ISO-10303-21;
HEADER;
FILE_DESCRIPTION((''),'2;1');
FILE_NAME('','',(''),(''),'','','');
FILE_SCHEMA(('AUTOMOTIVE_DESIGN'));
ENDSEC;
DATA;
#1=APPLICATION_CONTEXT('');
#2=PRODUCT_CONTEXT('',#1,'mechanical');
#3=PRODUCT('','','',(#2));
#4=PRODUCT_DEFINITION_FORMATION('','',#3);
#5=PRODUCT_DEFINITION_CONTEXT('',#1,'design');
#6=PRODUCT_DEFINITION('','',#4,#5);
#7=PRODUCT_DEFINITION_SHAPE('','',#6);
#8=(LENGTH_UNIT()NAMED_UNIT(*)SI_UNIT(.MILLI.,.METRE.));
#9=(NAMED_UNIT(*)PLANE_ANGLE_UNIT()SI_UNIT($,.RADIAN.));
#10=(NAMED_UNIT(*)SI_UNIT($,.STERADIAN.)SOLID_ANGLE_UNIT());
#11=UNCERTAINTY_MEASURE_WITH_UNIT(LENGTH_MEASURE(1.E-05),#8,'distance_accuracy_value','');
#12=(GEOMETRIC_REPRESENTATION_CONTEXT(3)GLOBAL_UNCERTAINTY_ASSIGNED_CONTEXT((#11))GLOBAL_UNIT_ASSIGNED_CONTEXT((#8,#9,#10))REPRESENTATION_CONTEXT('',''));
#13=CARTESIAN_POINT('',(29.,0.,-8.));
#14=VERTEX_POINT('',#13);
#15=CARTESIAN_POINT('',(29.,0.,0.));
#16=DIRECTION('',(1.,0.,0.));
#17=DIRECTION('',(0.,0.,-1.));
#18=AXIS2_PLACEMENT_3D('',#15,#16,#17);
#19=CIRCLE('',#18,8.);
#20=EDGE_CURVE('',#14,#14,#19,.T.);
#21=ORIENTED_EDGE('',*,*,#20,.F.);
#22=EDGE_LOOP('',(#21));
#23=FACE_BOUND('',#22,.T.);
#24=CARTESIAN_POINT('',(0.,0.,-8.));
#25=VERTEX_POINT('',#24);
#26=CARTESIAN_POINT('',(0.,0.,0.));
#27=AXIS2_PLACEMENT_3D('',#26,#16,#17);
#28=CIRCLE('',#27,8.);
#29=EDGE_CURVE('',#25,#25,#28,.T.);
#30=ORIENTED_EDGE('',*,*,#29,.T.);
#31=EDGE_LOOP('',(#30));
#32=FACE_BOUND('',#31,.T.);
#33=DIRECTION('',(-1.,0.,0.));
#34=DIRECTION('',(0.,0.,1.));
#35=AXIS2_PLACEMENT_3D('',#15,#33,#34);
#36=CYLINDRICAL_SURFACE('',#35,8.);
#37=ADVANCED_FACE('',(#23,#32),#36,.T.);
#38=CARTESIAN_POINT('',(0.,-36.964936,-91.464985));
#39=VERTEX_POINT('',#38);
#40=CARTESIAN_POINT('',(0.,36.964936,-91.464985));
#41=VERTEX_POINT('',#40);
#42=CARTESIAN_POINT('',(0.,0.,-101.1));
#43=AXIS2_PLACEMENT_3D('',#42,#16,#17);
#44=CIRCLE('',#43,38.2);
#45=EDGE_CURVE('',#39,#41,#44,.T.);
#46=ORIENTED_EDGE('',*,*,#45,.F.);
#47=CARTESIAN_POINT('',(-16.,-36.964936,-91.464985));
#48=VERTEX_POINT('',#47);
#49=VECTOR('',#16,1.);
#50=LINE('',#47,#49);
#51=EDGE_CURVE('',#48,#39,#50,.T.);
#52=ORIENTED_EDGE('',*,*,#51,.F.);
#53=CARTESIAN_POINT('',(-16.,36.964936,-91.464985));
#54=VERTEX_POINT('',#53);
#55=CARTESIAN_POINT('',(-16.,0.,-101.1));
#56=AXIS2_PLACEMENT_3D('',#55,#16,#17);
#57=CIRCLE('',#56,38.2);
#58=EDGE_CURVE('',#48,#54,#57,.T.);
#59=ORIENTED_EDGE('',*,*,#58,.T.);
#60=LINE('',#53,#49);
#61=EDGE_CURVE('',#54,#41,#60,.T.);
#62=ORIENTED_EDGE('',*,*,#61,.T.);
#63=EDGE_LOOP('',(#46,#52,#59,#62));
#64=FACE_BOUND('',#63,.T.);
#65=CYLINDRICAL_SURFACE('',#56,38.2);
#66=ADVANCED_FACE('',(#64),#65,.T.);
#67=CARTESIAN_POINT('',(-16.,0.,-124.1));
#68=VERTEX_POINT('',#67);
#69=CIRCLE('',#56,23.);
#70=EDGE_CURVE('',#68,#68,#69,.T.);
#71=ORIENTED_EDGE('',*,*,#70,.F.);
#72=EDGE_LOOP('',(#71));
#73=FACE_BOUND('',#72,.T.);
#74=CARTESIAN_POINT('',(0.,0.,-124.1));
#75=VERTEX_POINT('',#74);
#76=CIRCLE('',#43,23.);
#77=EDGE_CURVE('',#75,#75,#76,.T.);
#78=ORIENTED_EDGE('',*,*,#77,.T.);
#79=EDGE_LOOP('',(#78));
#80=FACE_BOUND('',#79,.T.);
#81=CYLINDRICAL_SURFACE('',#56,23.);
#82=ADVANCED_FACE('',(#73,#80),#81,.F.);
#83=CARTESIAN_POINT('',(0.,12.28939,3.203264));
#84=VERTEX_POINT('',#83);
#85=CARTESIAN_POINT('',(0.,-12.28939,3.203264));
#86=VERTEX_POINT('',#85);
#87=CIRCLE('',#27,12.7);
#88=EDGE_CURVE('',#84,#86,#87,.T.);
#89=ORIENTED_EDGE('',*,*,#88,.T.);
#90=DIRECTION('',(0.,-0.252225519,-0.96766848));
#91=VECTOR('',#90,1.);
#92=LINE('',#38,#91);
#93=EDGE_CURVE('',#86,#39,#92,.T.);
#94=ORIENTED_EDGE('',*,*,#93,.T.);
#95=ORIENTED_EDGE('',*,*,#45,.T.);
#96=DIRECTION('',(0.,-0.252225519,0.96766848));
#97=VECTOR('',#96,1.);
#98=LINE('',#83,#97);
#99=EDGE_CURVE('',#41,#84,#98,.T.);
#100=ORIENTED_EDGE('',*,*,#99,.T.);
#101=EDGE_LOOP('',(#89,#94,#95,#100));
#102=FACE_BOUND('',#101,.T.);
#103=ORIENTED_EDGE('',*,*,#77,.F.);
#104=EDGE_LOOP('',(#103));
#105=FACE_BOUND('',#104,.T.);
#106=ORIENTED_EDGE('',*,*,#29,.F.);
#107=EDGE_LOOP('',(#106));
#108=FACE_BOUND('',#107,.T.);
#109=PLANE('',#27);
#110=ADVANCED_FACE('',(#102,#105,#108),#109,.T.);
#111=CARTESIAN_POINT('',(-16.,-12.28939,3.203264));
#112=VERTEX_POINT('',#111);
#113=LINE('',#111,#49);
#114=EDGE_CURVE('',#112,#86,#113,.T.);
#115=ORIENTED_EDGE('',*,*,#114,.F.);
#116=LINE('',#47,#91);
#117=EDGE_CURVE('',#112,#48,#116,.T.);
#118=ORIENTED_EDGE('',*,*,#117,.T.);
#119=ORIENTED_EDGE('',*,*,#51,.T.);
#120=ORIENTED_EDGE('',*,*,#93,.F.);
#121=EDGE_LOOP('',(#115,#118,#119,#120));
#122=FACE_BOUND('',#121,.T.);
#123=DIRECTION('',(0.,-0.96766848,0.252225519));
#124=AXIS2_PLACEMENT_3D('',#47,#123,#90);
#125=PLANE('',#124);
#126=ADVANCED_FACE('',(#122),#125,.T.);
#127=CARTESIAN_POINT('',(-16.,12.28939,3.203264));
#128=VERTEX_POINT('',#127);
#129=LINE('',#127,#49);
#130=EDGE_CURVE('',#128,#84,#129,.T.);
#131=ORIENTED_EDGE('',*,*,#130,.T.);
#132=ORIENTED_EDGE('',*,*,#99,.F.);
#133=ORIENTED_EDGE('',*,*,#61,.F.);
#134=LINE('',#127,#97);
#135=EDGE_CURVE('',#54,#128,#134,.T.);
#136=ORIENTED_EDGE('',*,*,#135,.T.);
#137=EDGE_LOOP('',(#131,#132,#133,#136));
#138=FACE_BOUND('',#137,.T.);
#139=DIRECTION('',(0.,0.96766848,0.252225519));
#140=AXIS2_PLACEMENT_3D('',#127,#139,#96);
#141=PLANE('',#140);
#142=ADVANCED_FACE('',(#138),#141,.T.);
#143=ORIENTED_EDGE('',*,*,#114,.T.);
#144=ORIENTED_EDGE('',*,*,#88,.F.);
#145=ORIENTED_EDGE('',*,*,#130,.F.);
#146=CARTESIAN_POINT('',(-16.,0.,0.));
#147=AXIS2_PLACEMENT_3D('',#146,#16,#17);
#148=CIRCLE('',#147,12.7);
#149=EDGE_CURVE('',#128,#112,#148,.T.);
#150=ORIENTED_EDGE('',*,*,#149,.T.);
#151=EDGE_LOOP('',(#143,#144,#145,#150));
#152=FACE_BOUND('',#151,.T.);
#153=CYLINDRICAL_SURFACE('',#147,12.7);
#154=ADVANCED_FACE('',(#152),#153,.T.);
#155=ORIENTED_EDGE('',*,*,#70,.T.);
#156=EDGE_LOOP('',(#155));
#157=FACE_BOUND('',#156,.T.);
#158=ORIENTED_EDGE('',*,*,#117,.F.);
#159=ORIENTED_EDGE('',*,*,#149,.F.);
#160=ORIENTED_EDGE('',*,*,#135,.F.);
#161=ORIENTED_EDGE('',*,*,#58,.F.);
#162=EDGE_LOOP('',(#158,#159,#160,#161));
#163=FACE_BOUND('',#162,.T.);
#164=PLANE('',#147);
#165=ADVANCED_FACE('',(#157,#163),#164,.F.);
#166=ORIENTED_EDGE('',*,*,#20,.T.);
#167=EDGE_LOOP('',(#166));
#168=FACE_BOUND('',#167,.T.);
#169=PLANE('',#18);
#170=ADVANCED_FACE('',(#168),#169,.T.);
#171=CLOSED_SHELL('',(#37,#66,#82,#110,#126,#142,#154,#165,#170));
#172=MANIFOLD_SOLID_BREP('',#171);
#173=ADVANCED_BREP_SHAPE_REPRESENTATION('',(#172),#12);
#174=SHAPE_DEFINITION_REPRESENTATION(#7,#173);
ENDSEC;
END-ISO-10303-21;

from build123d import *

# Parameters (mm, degrees)
BOSS_EXTRUDE1_DEPTH = 16
SKETCH2_R           = 8
BOSS_EXTRUDE2_DEPTH = 29
SKETCH3_R           = 23
CUT_EXTRUDE1_DEPTH  = 16


with BuildPart() as part:
    # Sketch1 → Boss-Extrude1 (new body)
    with BuildSketch(Plane(origin=(0, 0, 0), x_dir=(0, 0, -1), z_dir=(1, 0, 0))):
        with BuildLine():
            Line((-3.203264095, 12.289389698), (91.464985163, 36.964935941))
            ThreePointArc((91.464985163, 36.964935941), (139.3, 0), (91.464985163, -36.964935941))
            Line((91.464985163, -36.964935941), (-3.203264095, -12.289389698))
            ThreePointArc((-3.203264095, -12.289389698), (-12.7, 0), (-3.203264095, 12.289389698))
        make_face()
    extrude(amount=-BOSS_EXTRUDE1_DEPTH)

    # Sketch2 → Boss-Extrude2 (add)
    with BuildSketch(Plane(origin=(0, 0, 0), x_dir=(0, 0, -1), z_dir=(1, 0, 0))):
        Circle(SKETCH2_R)
    extrude(amount=BOSS_EXTRUDE2_DEPTH)

    # Sketch3 → Cut-Extrude1 (cut)
    with BuildSketch(Plane(origin=(0, 0, 0), x_dir=(0, 0, -1), z_dir=(1, 0, 0))):
        with Locations((101.1, 0)):
            Circle(SKETCH3_R)
    extrude(amount=-CUT_EXTRUDE1_DEPTH, mode=Mode.SUBTRACT)


solid = part.part
